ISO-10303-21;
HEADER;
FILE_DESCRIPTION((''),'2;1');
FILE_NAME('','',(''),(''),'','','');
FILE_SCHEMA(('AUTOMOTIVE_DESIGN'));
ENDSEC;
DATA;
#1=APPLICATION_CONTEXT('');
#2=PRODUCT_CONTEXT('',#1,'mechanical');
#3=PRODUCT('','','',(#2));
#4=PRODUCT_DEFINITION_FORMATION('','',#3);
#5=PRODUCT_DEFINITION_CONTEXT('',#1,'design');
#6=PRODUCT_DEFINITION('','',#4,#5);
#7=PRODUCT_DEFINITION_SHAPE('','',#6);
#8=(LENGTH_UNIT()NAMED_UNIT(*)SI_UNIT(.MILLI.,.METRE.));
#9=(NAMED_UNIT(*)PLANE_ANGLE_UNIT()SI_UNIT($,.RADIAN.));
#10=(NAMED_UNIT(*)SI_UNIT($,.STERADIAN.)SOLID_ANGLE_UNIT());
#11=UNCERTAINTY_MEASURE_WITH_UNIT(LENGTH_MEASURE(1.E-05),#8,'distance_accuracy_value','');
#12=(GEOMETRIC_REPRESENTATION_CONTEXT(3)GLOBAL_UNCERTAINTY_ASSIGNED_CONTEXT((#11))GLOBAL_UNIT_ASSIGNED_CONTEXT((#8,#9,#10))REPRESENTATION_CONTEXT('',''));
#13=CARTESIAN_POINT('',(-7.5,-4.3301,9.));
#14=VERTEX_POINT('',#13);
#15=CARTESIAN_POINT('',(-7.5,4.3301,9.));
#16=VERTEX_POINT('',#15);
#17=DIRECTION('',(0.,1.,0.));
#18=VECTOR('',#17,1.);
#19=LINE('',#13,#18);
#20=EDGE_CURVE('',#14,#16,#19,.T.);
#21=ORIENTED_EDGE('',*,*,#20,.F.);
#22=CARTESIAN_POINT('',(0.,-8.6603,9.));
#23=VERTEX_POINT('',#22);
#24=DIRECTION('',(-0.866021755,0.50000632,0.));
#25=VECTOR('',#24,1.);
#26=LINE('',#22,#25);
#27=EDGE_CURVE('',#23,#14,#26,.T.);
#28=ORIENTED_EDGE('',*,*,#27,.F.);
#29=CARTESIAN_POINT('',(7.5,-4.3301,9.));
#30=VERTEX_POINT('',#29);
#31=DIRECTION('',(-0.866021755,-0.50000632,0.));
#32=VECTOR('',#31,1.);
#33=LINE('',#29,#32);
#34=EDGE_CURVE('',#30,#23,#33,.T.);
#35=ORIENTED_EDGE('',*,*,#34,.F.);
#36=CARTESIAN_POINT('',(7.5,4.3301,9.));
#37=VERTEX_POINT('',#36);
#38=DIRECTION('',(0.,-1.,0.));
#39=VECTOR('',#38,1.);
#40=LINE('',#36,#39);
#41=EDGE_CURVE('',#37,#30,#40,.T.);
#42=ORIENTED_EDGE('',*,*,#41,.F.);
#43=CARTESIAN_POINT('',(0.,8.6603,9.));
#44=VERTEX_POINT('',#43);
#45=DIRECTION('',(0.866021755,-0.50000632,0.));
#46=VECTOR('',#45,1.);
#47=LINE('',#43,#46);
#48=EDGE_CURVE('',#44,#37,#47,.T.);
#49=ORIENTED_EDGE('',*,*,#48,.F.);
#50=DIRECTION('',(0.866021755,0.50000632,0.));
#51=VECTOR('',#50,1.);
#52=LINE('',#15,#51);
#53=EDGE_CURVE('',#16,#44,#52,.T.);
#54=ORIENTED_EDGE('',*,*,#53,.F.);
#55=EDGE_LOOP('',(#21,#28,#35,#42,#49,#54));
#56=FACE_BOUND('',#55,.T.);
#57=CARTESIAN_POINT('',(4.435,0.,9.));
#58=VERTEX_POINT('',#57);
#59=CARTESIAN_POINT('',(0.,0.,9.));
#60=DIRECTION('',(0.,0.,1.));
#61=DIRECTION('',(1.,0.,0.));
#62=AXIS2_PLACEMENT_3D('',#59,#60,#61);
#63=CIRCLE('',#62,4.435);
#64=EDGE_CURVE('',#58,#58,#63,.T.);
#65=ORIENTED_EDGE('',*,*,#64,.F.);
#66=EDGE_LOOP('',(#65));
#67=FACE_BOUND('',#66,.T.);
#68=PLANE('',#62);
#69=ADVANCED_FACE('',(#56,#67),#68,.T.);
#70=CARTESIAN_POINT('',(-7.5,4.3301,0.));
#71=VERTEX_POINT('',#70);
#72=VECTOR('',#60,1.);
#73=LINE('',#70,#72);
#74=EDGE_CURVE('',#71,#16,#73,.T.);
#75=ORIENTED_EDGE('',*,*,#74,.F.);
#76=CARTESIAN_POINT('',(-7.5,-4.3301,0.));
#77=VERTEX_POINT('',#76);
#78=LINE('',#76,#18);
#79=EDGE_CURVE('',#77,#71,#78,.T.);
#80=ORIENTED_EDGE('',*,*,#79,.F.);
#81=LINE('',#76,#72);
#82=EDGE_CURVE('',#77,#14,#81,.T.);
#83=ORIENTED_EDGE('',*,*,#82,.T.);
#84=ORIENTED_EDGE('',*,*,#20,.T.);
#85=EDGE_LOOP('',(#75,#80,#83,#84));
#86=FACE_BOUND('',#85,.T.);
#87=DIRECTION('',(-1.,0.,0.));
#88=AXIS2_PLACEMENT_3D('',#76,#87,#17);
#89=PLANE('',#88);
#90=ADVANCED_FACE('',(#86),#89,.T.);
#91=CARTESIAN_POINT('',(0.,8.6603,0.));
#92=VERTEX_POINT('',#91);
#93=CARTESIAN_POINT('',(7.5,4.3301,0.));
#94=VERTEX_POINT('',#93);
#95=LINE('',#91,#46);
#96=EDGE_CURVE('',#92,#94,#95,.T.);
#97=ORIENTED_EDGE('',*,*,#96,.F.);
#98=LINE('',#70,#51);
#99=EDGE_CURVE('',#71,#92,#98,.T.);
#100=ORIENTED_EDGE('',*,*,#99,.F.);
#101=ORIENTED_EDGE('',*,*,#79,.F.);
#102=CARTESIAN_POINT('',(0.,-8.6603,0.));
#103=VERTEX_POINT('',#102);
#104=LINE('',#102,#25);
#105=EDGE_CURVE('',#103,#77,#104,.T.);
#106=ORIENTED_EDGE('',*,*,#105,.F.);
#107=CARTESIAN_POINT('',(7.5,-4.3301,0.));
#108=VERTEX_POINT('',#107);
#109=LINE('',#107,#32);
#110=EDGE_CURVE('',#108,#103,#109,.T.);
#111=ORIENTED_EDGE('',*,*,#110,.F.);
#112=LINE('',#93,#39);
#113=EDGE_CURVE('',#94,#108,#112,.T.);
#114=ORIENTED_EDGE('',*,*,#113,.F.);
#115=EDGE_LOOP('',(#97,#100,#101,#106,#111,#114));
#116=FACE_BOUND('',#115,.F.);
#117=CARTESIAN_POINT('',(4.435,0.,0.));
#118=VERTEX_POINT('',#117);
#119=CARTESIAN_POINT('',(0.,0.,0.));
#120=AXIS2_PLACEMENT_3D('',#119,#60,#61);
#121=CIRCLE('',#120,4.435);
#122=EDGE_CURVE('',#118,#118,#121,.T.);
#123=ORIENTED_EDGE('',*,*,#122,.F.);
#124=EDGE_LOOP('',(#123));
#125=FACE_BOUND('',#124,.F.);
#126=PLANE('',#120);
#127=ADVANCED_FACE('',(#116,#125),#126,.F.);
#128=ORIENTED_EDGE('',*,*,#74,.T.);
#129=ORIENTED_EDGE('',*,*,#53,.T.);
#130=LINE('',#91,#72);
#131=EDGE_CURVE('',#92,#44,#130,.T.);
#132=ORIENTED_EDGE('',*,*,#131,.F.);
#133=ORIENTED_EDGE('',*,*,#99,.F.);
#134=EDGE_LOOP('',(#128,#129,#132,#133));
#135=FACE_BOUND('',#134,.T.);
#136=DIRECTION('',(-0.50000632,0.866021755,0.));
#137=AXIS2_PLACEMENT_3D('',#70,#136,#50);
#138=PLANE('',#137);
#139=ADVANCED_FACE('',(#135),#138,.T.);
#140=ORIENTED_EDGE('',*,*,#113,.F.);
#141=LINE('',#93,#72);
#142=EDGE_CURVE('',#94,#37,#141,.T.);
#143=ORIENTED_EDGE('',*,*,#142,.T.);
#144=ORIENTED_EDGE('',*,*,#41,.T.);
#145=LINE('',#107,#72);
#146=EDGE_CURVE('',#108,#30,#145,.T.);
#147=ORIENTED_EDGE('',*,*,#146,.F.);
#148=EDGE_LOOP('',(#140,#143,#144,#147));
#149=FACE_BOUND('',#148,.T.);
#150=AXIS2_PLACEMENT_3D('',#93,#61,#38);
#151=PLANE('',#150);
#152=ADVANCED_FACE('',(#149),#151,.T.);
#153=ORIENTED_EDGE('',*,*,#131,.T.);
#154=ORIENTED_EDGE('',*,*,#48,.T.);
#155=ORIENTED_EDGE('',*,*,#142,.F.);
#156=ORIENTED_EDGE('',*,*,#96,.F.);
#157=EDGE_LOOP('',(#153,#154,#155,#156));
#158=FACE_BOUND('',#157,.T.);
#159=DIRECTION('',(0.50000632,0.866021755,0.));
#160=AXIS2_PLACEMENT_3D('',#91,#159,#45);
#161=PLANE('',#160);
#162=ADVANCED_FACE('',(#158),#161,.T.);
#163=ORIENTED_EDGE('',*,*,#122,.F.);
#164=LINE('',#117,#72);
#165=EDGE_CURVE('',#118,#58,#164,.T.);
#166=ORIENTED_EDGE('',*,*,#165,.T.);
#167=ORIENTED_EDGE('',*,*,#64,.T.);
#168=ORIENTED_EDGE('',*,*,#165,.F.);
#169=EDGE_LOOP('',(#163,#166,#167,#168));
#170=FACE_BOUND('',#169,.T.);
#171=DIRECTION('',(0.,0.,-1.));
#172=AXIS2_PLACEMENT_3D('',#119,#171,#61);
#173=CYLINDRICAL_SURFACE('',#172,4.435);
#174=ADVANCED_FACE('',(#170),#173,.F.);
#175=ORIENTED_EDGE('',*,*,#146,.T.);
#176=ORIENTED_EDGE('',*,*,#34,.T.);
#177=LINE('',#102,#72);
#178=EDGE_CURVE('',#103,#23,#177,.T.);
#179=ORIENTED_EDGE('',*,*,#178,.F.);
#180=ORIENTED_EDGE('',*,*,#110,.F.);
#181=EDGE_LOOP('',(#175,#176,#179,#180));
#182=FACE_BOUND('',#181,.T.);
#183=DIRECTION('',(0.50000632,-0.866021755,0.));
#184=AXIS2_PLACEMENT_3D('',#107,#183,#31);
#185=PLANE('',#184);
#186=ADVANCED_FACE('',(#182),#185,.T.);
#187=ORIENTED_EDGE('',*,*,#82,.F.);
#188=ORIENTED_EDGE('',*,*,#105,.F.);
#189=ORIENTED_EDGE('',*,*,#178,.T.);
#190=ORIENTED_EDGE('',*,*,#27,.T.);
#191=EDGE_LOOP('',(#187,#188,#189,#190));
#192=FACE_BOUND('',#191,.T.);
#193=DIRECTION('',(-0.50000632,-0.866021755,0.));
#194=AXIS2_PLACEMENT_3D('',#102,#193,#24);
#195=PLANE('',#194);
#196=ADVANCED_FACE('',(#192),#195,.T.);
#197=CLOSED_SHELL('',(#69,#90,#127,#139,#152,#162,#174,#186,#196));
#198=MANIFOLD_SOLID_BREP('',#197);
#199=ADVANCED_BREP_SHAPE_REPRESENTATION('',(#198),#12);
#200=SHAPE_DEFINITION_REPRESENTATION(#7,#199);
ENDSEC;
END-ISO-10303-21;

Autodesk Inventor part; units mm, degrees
ref_plane "YZ Plane" through (0, 0, 0) normal (1, 0, 0) x (0, 1, 0)
ref_plane "XZ Plane" through (0, 0, 0) normal (0, 1, 0) x (-1, 0, 0)
ref_plane "XY Plane" through (0, 0, 0) normal (0, 0, 1) x (1, 0, 0)
sketch "Sketch1" plane through (0, 0, 0) normal (0, 0, 1) x (1, 0, 0)
  circle A0 centre (0, 0) radius 4.435
  line L0 (0, 8.6603) -> (7.5, 4.3301)
  line L1 (7.5, 4.3301) -> (7.5, -4.3301)
  line L2 (7.5, -4.3301) -> (0, -8.6603)
  line L3 (0, -8.6603) -> (-7.5, -4.3301)
  line L4 (-7.5, -4.3301) -> (-7.5, 4.3301)
  line L5 (-7.5, 4.3301) -> (0, 8.6603)
  dimension "d0" = 8.87
  dimension "d3" = 15
extrude "Extrusion1" add sketch "Sketch1" along normal blind 9
thread "Thread1" size "M9x1.25" class "6H" standard "ANSI Metric M Profile" full length
properties part number "EEThreadedRodNut"
